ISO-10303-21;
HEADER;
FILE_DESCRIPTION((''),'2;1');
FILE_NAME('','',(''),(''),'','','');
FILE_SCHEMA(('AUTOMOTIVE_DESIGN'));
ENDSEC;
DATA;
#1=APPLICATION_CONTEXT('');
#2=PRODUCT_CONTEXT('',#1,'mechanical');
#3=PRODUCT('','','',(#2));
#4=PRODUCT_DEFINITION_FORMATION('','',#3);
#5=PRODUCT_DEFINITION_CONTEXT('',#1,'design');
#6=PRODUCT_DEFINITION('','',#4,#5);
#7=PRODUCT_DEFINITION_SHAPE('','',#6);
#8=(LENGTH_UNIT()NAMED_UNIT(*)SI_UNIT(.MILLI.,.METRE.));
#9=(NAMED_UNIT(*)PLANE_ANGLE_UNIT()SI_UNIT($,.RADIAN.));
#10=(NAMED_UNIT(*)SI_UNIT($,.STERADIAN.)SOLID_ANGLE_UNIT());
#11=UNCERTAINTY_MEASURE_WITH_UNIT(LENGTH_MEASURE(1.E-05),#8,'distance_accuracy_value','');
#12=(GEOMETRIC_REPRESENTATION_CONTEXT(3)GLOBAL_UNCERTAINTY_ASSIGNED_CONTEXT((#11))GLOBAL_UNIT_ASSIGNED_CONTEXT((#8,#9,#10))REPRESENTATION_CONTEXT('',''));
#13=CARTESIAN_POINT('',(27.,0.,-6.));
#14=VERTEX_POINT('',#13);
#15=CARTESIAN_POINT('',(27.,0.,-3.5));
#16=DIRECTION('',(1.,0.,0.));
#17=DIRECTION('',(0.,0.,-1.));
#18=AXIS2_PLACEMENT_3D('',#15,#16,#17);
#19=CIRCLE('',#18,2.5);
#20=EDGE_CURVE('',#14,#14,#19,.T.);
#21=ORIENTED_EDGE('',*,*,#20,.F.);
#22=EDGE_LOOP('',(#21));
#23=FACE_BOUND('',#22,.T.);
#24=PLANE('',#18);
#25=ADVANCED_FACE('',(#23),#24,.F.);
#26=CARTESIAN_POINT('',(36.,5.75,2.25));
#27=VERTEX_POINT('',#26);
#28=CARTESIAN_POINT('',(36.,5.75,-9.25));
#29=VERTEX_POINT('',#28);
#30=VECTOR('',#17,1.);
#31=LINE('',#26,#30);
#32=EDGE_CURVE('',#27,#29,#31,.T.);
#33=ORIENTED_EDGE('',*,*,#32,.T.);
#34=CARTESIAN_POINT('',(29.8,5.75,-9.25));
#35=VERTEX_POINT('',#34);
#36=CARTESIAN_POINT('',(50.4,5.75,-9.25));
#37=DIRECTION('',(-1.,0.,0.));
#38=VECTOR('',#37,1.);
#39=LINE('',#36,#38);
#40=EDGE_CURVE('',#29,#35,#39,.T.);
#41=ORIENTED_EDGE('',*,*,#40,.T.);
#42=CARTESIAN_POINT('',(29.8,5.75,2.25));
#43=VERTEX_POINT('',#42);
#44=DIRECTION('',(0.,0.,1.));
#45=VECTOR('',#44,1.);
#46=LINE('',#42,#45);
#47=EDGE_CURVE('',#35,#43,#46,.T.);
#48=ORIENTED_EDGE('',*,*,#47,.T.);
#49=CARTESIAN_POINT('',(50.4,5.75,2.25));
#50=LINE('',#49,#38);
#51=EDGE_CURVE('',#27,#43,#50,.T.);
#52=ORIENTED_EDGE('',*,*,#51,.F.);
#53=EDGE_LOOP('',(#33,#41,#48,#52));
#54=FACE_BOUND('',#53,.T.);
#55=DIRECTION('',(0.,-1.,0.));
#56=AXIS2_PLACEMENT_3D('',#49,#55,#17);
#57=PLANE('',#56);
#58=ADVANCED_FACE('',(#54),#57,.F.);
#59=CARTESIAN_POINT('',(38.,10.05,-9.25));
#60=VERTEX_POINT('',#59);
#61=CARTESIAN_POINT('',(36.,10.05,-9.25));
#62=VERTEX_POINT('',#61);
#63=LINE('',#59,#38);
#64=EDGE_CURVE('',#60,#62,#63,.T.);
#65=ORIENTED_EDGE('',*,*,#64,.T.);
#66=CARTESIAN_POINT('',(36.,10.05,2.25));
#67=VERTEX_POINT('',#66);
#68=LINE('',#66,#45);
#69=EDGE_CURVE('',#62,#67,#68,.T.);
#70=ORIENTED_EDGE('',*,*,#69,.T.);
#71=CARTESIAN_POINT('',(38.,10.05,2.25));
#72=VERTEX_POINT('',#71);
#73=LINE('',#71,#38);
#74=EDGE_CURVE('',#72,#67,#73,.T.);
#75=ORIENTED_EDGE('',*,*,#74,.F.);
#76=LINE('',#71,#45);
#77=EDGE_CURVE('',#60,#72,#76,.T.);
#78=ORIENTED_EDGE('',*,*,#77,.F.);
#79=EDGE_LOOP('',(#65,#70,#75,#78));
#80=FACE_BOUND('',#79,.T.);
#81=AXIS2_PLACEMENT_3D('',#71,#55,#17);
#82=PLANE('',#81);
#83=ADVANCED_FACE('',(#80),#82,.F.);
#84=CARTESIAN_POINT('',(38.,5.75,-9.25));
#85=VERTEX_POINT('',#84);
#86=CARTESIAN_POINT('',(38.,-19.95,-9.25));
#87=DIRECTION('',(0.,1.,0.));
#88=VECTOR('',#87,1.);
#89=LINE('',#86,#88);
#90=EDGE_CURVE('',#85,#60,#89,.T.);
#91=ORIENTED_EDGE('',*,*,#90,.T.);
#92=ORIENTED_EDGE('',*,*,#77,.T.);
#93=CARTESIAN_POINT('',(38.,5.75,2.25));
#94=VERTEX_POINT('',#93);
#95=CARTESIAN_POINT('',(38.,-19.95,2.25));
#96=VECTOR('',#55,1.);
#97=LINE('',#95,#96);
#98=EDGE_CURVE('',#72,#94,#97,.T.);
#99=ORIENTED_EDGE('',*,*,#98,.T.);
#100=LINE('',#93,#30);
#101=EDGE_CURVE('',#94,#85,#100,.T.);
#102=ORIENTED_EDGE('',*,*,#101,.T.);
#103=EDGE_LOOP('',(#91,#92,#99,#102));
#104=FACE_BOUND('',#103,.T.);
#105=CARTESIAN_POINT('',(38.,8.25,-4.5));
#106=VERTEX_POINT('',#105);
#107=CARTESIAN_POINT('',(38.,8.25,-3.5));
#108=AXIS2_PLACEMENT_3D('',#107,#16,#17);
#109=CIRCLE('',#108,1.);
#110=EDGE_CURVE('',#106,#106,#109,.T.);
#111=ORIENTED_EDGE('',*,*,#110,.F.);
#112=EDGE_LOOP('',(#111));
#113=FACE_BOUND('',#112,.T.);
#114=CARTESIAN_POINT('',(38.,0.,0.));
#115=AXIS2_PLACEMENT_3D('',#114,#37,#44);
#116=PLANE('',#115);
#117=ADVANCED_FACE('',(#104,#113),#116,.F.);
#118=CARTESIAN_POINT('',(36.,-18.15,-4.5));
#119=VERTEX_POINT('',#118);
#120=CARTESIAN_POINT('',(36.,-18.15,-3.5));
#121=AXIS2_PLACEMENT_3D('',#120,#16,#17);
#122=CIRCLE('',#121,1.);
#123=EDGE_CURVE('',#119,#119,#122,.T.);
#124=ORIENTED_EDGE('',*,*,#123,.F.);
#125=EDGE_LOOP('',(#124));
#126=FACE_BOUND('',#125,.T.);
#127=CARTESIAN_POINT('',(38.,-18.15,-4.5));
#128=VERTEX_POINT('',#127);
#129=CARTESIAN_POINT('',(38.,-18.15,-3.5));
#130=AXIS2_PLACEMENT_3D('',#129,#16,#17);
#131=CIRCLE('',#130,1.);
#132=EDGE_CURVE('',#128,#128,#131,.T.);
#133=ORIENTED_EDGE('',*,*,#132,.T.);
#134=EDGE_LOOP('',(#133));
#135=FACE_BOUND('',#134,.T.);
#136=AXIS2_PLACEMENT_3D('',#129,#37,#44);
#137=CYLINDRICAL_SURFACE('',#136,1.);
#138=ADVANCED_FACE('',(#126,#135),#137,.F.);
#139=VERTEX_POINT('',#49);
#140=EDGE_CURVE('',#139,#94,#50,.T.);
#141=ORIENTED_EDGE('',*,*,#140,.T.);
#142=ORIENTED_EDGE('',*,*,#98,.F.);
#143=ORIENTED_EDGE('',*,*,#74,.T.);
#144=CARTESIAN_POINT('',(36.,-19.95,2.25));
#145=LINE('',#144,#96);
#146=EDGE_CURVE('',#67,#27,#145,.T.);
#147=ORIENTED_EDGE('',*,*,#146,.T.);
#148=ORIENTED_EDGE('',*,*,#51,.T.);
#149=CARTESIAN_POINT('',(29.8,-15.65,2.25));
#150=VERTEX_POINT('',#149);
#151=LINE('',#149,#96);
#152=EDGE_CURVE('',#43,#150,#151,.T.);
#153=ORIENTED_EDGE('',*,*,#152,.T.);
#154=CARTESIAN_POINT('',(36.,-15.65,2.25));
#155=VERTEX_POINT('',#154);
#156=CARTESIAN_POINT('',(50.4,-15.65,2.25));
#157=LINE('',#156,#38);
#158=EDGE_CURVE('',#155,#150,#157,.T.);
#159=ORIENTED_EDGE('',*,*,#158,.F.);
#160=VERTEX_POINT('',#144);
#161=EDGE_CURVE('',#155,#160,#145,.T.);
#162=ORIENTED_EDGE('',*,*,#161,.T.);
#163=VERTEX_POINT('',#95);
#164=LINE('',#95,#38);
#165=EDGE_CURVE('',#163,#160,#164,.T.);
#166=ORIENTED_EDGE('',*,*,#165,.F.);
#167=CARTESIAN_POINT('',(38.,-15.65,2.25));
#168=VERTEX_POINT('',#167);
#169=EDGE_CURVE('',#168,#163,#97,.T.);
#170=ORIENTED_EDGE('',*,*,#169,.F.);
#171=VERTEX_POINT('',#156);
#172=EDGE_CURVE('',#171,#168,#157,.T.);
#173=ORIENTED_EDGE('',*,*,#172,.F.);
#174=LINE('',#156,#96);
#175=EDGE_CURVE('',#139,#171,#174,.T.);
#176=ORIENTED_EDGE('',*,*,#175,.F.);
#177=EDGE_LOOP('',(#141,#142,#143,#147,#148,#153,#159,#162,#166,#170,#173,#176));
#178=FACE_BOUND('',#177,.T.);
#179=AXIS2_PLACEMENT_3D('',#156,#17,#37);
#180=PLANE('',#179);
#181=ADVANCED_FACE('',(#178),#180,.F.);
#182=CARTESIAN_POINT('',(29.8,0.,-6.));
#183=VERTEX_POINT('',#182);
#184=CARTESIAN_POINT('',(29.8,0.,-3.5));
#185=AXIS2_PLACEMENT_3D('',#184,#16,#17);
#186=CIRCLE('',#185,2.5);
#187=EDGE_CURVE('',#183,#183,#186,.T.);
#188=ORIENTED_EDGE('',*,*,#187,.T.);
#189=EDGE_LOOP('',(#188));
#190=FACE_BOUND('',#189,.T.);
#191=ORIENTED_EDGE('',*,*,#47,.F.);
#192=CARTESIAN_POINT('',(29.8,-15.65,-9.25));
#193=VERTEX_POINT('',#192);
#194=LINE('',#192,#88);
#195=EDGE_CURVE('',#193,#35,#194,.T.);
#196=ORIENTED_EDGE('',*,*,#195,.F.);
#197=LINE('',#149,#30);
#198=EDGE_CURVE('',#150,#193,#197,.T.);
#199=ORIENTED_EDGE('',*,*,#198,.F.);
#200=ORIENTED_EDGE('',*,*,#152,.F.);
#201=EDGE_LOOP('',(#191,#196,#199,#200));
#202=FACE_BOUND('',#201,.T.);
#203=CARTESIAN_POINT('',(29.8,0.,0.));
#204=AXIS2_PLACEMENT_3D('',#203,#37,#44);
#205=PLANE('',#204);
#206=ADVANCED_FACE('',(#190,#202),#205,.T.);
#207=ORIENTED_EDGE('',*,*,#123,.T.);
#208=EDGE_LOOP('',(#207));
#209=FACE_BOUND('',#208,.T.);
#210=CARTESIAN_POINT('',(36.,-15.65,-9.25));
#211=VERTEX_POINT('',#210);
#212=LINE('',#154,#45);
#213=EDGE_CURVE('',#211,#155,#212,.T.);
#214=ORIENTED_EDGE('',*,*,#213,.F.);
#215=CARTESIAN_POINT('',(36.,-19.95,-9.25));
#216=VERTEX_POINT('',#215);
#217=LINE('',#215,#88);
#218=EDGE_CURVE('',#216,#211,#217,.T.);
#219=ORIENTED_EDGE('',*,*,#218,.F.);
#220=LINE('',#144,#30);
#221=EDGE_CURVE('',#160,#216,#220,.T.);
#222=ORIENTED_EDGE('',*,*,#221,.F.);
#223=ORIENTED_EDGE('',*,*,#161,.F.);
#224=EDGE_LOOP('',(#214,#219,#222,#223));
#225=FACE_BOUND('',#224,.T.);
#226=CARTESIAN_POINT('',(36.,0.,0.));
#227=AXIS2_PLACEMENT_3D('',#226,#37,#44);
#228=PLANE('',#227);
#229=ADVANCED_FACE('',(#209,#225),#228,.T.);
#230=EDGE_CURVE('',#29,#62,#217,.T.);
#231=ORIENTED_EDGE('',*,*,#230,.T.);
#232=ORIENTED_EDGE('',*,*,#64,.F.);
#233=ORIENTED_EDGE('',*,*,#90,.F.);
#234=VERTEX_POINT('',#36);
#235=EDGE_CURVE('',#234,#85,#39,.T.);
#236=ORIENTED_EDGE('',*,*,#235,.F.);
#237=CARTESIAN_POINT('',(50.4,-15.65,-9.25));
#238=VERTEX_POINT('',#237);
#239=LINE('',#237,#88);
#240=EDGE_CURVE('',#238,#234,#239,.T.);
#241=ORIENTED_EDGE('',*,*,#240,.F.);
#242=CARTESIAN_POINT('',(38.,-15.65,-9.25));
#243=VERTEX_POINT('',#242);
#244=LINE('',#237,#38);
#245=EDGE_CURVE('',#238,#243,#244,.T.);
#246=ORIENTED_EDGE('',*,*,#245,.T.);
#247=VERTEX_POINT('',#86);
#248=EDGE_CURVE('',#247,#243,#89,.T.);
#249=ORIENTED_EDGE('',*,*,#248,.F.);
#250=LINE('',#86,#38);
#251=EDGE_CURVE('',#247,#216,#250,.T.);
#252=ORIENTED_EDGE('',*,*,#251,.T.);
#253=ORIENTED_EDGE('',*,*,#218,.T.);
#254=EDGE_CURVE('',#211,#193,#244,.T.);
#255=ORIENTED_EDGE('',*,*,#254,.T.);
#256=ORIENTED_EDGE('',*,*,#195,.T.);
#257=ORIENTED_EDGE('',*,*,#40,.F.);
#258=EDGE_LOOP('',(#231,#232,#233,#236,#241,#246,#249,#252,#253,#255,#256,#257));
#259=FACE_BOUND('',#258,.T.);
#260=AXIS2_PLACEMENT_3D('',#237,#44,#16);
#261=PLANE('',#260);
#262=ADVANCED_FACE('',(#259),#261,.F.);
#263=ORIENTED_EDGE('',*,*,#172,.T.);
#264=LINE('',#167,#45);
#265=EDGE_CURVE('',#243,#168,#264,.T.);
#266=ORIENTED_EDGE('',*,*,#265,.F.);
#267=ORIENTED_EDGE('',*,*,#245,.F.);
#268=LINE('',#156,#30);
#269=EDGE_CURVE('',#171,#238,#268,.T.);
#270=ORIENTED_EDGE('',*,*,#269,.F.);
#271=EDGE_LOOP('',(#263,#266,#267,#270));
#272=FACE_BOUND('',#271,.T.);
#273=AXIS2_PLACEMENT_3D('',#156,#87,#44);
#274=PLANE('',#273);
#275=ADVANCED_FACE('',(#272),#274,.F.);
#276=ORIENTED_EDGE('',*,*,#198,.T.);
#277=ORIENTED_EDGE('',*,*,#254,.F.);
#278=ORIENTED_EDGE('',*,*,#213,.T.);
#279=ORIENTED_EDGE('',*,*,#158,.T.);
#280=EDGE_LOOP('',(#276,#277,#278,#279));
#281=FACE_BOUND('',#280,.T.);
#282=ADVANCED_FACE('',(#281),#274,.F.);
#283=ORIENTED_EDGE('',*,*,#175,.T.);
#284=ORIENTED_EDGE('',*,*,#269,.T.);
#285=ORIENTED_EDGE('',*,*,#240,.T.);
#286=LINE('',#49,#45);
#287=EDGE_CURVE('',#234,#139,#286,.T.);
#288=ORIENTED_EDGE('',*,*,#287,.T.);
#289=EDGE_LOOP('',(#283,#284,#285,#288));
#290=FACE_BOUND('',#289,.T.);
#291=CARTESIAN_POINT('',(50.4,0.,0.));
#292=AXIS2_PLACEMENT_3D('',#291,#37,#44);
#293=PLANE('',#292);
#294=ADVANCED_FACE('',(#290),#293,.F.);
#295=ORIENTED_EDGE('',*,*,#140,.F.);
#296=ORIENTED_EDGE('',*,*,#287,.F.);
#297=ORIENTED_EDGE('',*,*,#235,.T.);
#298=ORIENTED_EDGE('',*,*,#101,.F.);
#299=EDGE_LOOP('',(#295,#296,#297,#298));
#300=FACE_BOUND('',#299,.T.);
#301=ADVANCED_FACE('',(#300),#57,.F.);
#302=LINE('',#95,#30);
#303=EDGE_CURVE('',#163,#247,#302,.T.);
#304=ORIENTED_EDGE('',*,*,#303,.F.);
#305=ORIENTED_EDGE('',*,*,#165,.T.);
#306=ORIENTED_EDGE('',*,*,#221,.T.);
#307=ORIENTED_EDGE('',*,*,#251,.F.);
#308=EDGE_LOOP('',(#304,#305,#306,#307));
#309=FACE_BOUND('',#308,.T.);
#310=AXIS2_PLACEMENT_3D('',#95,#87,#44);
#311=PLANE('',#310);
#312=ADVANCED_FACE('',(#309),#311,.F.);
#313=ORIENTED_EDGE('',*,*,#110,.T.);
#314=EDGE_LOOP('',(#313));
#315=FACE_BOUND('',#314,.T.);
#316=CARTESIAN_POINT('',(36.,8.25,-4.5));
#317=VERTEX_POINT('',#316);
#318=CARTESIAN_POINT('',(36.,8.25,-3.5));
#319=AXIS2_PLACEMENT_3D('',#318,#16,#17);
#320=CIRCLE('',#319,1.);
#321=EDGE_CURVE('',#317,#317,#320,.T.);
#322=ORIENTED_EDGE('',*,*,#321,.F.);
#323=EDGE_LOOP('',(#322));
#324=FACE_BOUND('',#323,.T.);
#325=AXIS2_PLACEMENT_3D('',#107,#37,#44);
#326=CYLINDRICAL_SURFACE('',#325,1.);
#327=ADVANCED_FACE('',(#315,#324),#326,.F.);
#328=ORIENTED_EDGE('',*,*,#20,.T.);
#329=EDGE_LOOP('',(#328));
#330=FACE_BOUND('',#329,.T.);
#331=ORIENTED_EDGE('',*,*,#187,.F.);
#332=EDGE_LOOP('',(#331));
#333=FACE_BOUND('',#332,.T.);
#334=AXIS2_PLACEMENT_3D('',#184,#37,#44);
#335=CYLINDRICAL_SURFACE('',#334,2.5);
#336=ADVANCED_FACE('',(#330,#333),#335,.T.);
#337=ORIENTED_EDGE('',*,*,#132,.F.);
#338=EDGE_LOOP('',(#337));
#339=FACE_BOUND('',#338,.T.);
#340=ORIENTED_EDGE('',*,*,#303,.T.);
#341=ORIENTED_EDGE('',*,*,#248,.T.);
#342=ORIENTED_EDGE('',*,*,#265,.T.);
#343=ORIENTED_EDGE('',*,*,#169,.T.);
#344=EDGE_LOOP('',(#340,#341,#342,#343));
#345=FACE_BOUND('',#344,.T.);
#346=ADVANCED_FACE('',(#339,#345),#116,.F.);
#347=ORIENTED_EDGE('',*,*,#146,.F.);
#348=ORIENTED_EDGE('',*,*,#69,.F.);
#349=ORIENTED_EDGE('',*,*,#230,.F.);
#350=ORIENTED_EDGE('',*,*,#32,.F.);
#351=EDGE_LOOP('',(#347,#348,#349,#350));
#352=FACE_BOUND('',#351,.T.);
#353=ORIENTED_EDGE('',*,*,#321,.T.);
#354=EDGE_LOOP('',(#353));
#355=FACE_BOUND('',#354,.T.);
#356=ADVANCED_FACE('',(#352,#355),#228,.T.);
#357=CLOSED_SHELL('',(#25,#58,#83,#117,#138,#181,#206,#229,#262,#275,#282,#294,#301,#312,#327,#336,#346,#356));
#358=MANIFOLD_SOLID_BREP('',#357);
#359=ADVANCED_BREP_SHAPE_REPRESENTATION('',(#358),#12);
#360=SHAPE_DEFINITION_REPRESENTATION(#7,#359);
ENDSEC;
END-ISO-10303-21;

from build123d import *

# Parameters (mm, degrees)
EXTRUDE_START                = 29.8
SKETCH_1_W                   = 11.5
SKETCH_1_H                   = 21.4
EXTRUDE_21_4X11_5_20_6_DEPTH = 20.6
EXTRUDE_START_2              = 36
SKETCH_2_W                   = 11.5
SKETCH_2_H                   = 30
SKETCH_2_R                   = 1
EXTRUDE_30_26_4_2_2_DEPTH    = 2
EXTRUDE_START_3              = 27
SKETCH_3_R                   = 2.5
EXTRUDE_5_2_8_DEPTH          = 2.8


with BuildPart() as part:
    # 草图1 → 机身21.4x11.5_总高20.6 (new body)
    with BuildSketch(Plane(origin=(0, 0, 0), x_dir=(0, 0, -1), z_dir=(1, 0, 0)).offset(EXTRUDE_START)):
        with Locations((3.5, -4.95)):
            Rectangle(SKETCH_1_W, SKETCH_1_H)
    extrude(amount=EXTRUDE_21_4X11_5_20_6_DEPTH)

    # 草图2 → 安装耳30_孔距26.4_孔径2_耳厚暂定2 (add)
    with BuildSketch(Plane(origin=(0, 0, 0), x_dir=(0, 0, -1), z_dir=(1, 0, 0)).offset(EXTRUDE_START_2)):
        with Locations((3.5, -4.95)):
            Rectangle(SKETCH_2_W, SKETCH_2_H)
        with Locations((3.5, -18.15)):
            Circle(SKETCH_2_R, mode=Mode.SUBTRACT)
        with Locations((3.5, 8.25)):
            Circle(SKETCH_2_R, mode=Mode.SUBTRACT)
    extrude(amount=EXTRUDE_30_26_4_2_2_DEPTH)

    # 草图3 → 输出齿轴简化_直径5高2.8待实测 (add)
    with BuildSketch(Plane(origin=(0, 0, 0), x_dir=(0, 0, -1), z_dir=(1, 0, 0)).offset(EXTRUDE_START_3)):
        with Locations((3.5, 0)):
            Circle(SKETCH_3_R)
    extrude(amount=EXTRUDE_5_2_8_DEPTH)


solid = part.part
